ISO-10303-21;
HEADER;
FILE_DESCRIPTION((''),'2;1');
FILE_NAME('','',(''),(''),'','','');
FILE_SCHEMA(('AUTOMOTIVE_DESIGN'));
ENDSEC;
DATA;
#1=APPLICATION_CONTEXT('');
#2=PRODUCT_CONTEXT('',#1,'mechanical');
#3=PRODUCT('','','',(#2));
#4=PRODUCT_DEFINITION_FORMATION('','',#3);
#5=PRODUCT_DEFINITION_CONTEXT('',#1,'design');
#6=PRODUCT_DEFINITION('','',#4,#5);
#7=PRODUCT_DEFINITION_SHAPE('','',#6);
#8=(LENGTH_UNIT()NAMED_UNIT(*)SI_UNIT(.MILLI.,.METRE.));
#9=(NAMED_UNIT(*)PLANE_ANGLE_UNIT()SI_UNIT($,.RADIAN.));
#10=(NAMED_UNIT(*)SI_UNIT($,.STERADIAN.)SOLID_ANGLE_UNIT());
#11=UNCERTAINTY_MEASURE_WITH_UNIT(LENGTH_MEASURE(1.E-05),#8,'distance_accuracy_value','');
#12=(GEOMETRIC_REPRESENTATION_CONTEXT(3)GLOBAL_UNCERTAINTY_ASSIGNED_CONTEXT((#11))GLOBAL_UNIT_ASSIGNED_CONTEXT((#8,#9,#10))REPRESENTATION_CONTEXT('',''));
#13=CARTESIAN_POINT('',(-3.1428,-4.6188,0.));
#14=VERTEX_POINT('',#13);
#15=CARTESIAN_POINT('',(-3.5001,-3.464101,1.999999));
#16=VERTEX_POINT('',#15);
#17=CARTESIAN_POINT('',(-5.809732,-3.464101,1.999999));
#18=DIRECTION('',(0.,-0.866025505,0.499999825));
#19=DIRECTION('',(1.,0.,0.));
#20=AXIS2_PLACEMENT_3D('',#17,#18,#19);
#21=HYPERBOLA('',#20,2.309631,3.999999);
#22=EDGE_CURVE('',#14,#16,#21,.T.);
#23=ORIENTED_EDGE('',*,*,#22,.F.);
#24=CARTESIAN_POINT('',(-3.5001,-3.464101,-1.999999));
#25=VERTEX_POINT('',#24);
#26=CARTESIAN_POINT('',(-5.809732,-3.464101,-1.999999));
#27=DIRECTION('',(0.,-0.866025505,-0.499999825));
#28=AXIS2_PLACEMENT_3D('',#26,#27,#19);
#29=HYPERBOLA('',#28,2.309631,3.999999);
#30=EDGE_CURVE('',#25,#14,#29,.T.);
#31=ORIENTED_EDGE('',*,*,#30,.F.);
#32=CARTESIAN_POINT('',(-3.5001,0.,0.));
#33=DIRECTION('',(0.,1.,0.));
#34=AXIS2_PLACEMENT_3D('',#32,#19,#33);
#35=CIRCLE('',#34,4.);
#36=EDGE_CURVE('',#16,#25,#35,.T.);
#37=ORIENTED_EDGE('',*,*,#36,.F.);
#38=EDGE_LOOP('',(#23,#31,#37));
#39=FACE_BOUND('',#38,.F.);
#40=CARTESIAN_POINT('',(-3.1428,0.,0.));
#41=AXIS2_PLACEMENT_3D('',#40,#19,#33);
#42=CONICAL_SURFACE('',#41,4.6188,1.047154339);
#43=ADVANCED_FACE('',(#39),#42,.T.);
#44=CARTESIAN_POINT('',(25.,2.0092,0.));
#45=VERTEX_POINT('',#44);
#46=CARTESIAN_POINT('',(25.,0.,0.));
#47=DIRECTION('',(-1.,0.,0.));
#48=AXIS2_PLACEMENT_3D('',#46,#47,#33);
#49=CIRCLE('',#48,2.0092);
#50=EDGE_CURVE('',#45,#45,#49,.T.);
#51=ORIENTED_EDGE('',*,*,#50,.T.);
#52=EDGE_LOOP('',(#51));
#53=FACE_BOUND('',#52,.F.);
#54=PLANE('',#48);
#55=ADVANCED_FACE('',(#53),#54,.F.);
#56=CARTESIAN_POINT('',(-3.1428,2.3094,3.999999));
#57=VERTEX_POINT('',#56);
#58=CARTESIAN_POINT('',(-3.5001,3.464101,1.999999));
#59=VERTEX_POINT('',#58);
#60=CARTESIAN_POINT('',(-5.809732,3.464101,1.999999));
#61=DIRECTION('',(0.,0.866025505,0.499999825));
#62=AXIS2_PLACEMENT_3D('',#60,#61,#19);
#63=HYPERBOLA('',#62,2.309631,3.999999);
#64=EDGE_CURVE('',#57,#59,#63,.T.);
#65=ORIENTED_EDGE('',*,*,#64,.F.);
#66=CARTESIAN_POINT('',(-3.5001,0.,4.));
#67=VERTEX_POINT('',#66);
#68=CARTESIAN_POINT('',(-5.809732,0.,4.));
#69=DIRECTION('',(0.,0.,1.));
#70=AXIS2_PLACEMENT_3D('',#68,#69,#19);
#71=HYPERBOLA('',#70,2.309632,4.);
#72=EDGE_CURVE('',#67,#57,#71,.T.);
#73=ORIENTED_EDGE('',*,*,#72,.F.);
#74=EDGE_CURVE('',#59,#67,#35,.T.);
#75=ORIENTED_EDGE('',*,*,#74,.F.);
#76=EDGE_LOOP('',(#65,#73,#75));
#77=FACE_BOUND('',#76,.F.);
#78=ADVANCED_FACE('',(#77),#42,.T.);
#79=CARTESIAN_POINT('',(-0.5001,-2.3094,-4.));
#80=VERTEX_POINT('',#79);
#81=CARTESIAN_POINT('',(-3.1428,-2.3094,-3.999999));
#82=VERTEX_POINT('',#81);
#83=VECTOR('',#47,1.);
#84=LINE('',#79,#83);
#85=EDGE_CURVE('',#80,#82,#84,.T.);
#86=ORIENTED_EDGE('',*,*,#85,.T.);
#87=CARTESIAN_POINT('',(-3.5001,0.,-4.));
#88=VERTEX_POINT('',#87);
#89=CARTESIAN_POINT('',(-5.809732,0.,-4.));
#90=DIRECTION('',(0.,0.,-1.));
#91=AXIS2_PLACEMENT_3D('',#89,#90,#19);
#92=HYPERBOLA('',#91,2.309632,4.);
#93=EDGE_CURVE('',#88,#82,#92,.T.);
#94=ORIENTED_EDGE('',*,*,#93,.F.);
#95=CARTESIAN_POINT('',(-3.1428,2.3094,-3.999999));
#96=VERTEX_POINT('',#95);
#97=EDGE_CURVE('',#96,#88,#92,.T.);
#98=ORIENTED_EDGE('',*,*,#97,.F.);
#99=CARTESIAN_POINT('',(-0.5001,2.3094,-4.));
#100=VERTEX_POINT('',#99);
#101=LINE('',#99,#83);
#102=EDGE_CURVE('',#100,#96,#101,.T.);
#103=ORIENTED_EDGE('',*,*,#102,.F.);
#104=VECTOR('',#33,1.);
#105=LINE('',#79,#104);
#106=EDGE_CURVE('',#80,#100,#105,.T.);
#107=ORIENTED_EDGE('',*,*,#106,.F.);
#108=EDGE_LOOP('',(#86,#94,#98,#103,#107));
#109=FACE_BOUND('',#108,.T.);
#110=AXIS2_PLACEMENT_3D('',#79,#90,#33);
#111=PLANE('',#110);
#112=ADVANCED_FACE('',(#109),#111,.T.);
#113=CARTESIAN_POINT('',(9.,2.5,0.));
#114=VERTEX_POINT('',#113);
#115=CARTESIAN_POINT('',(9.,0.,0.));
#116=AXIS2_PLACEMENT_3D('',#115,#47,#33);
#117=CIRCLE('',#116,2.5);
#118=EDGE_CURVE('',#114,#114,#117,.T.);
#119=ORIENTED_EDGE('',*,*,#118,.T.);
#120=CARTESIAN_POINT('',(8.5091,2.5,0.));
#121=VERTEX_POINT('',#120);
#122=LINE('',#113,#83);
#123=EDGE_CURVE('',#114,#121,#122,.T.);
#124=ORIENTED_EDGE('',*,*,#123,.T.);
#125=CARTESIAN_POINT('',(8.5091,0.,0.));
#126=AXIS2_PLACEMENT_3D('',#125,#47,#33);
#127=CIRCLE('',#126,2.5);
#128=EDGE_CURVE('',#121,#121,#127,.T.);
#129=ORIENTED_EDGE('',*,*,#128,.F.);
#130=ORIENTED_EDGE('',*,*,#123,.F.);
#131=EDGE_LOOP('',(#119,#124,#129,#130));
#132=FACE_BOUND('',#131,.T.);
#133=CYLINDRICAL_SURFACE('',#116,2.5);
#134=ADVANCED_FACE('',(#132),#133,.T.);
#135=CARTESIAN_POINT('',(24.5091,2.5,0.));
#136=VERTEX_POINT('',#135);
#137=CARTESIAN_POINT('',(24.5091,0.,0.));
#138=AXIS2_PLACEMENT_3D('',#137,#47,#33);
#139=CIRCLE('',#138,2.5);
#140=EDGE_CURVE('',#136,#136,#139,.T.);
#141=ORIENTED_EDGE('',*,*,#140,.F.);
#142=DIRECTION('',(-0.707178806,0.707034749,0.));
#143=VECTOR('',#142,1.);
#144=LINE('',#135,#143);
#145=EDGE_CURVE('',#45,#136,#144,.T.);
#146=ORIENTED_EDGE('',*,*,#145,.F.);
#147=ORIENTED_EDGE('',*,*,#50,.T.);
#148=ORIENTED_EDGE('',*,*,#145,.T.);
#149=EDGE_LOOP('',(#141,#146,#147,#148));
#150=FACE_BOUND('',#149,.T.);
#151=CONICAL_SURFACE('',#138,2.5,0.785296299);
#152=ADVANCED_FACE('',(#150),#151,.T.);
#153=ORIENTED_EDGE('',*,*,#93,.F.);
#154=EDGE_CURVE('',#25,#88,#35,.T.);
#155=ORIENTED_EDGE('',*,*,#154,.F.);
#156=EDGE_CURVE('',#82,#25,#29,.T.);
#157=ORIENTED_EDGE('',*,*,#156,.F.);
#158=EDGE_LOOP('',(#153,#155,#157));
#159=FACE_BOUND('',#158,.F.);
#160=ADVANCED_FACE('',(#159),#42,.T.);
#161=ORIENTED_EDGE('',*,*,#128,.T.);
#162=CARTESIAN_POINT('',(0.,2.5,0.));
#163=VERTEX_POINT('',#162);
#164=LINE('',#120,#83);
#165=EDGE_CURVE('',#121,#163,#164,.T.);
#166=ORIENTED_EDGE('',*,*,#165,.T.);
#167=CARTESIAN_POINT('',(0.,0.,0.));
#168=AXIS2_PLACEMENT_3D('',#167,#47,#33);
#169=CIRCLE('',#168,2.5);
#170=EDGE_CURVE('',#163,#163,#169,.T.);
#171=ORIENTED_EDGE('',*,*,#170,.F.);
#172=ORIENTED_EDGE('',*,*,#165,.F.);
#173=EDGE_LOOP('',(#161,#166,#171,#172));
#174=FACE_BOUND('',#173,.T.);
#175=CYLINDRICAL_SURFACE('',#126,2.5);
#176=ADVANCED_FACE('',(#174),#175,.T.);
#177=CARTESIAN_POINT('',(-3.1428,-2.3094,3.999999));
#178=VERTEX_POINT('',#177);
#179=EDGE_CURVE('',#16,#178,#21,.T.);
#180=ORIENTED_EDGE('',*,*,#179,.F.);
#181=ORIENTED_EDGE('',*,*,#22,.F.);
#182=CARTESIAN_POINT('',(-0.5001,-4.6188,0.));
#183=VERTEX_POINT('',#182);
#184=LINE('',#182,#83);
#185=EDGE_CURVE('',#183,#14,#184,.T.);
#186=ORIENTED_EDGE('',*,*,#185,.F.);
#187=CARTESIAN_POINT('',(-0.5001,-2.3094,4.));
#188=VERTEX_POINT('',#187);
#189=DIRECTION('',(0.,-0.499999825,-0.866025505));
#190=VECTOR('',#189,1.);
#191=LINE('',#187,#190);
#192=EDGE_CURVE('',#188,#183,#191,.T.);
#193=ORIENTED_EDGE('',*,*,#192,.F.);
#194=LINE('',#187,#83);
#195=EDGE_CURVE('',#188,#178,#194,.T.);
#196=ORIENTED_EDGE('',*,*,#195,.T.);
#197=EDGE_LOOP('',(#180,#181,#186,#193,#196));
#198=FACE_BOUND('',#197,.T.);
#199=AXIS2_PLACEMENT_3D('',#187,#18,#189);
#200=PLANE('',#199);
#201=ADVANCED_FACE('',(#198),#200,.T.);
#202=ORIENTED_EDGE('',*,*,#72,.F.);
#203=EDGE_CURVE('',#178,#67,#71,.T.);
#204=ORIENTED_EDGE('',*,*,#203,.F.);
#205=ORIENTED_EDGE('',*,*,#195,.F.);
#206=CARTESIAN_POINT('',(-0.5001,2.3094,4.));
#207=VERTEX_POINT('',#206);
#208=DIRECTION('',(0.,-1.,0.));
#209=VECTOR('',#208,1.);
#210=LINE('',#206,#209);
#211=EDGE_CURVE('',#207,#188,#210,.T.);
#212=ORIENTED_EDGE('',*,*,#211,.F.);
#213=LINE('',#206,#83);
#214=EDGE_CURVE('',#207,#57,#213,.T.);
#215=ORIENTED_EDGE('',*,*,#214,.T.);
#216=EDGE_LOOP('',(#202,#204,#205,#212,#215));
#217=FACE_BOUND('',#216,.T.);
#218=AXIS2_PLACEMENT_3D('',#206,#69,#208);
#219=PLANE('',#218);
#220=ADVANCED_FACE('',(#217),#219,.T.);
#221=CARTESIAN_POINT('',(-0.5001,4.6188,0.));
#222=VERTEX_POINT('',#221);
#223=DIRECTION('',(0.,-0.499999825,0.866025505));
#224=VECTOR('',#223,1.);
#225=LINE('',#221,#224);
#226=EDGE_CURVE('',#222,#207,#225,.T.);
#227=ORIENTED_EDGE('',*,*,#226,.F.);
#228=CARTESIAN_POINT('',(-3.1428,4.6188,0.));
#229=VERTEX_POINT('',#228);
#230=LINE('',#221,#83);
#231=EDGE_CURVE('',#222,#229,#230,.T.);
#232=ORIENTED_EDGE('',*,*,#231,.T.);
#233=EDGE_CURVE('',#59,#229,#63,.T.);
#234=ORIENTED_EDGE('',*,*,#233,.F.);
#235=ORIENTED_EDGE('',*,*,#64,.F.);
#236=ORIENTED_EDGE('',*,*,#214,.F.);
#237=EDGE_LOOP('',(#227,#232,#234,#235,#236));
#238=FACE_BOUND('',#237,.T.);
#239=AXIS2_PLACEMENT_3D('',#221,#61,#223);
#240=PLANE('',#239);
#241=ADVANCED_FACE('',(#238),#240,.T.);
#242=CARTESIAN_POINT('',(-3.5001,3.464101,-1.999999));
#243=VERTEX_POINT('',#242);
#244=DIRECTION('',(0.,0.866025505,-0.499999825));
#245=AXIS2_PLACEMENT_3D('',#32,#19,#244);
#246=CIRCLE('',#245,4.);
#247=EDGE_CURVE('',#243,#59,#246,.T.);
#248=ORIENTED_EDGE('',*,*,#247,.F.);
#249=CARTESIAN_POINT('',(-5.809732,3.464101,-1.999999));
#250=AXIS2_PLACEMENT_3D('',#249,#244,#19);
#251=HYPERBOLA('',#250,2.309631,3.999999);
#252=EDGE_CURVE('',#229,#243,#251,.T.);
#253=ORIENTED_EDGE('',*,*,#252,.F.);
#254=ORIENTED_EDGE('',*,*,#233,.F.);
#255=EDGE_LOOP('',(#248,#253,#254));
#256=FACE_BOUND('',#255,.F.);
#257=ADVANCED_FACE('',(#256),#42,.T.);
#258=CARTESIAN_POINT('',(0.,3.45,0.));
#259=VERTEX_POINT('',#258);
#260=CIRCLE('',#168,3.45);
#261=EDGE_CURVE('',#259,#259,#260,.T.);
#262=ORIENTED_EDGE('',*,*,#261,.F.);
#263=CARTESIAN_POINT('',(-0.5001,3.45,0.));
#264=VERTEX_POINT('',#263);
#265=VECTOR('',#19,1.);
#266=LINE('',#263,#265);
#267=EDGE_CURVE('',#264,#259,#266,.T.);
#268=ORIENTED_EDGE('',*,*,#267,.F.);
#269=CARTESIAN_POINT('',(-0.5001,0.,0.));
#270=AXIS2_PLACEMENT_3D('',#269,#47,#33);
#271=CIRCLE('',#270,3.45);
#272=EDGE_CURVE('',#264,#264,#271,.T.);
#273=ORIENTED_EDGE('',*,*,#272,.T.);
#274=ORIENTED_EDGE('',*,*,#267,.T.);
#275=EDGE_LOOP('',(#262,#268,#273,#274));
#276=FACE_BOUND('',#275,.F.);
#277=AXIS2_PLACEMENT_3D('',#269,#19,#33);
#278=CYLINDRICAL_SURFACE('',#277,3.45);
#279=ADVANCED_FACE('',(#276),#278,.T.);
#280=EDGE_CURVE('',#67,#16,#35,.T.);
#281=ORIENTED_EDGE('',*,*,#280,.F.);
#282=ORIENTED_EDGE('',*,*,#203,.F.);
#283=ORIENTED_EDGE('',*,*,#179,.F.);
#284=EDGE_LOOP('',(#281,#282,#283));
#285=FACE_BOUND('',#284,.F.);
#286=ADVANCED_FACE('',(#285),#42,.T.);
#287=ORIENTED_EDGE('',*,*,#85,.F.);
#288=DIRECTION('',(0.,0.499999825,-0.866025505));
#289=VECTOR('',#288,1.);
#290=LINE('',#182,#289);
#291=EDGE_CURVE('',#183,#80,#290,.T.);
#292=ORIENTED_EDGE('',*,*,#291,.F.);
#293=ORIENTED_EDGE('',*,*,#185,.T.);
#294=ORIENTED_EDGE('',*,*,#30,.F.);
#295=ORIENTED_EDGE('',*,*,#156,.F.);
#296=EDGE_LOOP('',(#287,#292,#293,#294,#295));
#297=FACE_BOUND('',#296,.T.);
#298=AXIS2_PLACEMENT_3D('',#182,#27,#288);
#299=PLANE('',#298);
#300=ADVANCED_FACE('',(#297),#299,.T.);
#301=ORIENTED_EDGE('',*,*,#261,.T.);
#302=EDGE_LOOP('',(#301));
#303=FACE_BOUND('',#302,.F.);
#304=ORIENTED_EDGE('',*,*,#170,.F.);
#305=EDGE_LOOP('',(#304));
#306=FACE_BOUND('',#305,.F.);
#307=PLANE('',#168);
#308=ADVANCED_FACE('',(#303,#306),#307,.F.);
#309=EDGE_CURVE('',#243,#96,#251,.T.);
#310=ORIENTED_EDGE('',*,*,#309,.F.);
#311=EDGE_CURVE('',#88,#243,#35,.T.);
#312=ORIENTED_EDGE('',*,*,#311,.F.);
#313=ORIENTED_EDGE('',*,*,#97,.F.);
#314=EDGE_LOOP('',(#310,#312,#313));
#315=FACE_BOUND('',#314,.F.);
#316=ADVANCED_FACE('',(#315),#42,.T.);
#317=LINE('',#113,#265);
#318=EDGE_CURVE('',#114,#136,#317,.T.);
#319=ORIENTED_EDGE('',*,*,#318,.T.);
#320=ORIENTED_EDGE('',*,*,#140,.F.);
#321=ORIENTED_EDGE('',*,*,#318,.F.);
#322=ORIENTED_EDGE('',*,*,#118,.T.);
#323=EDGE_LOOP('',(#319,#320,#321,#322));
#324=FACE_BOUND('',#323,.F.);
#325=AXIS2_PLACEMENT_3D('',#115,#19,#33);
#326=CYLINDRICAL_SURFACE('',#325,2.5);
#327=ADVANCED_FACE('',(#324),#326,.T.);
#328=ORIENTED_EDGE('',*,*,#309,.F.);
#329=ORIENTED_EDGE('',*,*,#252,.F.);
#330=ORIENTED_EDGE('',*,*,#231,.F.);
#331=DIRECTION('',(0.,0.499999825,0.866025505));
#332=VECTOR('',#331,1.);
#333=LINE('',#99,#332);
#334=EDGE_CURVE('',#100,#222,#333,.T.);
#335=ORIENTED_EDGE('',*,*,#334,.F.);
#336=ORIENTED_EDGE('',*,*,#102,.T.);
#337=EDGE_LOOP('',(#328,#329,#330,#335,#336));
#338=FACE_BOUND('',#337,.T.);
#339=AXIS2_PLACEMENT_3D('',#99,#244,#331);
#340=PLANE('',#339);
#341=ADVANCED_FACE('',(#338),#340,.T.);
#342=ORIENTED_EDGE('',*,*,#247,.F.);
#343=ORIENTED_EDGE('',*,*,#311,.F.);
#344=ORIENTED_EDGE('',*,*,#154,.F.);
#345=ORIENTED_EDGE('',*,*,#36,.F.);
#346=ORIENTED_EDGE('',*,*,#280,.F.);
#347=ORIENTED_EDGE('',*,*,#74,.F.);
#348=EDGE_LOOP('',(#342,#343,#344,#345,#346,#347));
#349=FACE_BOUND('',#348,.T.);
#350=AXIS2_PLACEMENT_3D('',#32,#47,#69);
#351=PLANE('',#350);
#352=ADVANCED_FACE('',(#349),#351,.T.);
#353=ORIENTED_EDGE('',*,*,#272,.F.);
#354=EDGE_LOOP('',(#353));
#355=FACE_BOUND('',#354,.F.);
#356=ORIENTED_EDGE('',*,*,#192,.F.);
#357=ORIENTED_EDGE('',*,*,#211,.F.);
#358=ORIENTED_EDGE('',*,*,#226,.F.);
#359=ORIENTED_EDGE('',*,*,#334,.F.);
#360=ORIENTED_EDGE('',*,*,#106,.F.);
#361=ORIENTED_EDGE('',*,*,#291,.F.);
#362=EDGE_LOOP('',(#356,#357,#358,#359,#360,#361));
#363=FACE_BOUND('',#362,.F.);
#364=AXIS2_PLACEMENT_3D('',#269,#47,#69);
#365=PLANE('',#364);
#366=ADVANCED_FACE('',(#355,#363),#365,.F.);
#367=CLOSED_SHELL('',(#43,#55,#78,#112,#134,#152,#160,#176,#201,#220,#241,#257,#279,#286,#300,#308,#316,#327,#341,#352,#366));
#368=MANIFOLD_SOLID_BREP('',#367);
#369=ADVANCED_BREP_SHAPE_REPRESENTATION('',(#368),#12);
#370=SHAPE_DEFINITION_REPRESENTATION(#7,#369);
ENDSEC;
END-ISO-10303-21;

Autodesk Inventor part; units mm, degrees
ref_plane "YZ Plane" through (0, 0, 0) normal (1, 0, 0) x (0, 1, 0)
ref_plane "XZ Plane" through (0, 0, 0) normal (0, 1, 0) x (-1, 0, 0)
sketch "Skizze1" plane through (0, 0, 0) normal (0, 0, 1) x (1, 0, 0)
  line L0 (0, 3.45) -> (0, 2.5)
  line L1 (9, 2.5) -> (25, 2.5)
  line L2 (25, 2.5) -> (25, 0)
  line L3 (25, 0) -> (-0.5001, 0)
  line L4 (-5.6001, 0) -> (30.1, 0) projected
  line L5 (-0.5001, 0) -> (-0.5001, 3.45)
  line L6 (-0.5001, 3.45) -> (0, 3.45)
  line L7 (9, 2.5) -> (8.5091, 2.5)
  line L8 (8.5091, 2.5) -> (0, 2.5)
  line L9 (0, -0.69) -> (0, 4.14) projected
  dimension "d0" = 25
  dimension "d1" = 16
  dimension "d2" = 5
  dimension "d9" = 0.5001
  dimension "d10" = 6.9
  dimension "d13" = 0.4909
  dimension "d14" = 5
revolve "Körper" add sketch "Skizze1" angle 360 about axis through (25, 0, 0) along (-1, 0, 0)
sketch "Skizze2" plane through (-0.5001, 0, 0) normal (-1, 0, 0) x (0, 0, 1)
  line L0 (0, 4.6188) -> (4, 2.3094)
  line L1 (4, 2.3094) -> (4, -2.3094)
  line L2 (4, -2.3094) -> (0, -4.6188)
  line L3 (0, -4.6188) -> (-4, -2.3094)
  line L4 (-4, -2.3094) -> (-4, 2.3094)
  line L5 (-4, 2.3094) -> (0, 4.6188)
  point P0 (0, 0)
  point P1 (0, 0)
  dimension "d11" = 8
extrude "Kopf" add sketch "Skizze2" along normal blind 3
sketch "Skizze4" plane through (0, 0, 0) normal (0, 0, 1) x (1, 0, 0)
  line L0 (-3.5001, 4) -> (-3.5001, 4.6188)
  line L1 (-3.5001, 4.6188) -> (-3.1428, 4.6188)
  line L2 (-3.1428, 4.6188) -> (-3.5001, 4)
  line L3 (-4.1001, 0) -> (0.0999, 0) projected
  line L4 (-0.5001, 4.6188) -> (-3.5001, 4.6188) projected
  line L5 (-3.5001, 2.3094) -> (-3.5001, 4.6188) projected
  dimension "d5" = 30
  dimension "d19" = 8
revolve "Fase1" cut sketch "Skizze4" angle 360 about axis through (-10, 0, 0) along (1, 0, 0)
thread "Gewinde" size "M5x0.8" class "6g" standard "ISO Metric profile" length 16
chamfer "Fase2" distance 0.4908 distance2 0.4909 1 edges at (25, -2.5, 0) measured on face at (25, 0.7379, -0.3873)
ref_plane "Work Plane1" through (1.525, 0, 0) normal (0, 0, 1) x (1, 0, 0)
equation "\"d0\" = NLG"
equation "\"d1\" = GEL"
equation "\"d2\" = GD"
equation "\"d10\" = SD2"
equation "\"d14\" = BDM"
equation "\"d11\" = SW"
equation "\"d3\" = KOH - SD"
equation "\"d5\" = ANG1"
equation "\"d19\" = SW0"
equation "\"d15\" = GEL"
equation "\"d6\" = -0.5 * SPD + 0.5 * GD"
equation "\"NLG\" = 25"
equation "\"GD\" = NND"
equation "\"BDM\" = NND"
equation "\"KOH\" = 3.5"
equation "\"GEL\" = 16"
equation "\"SW\" = 8"
equation "\"SW0\" = SW"
equation "\"SPD\" = NND - 1.2269 * PTC"
equation "\"SD2\" = 6.9"
equation "\"SD\" = 0.5"
equation "\"ANG1\" = 30deg"
equation "\"GAL\" = 0.61345 * PTC"
equation "\"GUL\" = 0.61345 * PTC"
equation "\"RR\" = 0.2"
equation "\"GD1\" = THREADDIA - 1.2269 * PTC"
equation "\"THREADDIA\" = 5"
equation "\"TOA\" = 30deg"
equation "\"PTC\" = 0.8"
equation "\"NND\" = 5"
equation "\"E0\" = 1.155 * SW"
properties part number "DIN 931-1 - M5 x 25" material "Stahl, weich"
